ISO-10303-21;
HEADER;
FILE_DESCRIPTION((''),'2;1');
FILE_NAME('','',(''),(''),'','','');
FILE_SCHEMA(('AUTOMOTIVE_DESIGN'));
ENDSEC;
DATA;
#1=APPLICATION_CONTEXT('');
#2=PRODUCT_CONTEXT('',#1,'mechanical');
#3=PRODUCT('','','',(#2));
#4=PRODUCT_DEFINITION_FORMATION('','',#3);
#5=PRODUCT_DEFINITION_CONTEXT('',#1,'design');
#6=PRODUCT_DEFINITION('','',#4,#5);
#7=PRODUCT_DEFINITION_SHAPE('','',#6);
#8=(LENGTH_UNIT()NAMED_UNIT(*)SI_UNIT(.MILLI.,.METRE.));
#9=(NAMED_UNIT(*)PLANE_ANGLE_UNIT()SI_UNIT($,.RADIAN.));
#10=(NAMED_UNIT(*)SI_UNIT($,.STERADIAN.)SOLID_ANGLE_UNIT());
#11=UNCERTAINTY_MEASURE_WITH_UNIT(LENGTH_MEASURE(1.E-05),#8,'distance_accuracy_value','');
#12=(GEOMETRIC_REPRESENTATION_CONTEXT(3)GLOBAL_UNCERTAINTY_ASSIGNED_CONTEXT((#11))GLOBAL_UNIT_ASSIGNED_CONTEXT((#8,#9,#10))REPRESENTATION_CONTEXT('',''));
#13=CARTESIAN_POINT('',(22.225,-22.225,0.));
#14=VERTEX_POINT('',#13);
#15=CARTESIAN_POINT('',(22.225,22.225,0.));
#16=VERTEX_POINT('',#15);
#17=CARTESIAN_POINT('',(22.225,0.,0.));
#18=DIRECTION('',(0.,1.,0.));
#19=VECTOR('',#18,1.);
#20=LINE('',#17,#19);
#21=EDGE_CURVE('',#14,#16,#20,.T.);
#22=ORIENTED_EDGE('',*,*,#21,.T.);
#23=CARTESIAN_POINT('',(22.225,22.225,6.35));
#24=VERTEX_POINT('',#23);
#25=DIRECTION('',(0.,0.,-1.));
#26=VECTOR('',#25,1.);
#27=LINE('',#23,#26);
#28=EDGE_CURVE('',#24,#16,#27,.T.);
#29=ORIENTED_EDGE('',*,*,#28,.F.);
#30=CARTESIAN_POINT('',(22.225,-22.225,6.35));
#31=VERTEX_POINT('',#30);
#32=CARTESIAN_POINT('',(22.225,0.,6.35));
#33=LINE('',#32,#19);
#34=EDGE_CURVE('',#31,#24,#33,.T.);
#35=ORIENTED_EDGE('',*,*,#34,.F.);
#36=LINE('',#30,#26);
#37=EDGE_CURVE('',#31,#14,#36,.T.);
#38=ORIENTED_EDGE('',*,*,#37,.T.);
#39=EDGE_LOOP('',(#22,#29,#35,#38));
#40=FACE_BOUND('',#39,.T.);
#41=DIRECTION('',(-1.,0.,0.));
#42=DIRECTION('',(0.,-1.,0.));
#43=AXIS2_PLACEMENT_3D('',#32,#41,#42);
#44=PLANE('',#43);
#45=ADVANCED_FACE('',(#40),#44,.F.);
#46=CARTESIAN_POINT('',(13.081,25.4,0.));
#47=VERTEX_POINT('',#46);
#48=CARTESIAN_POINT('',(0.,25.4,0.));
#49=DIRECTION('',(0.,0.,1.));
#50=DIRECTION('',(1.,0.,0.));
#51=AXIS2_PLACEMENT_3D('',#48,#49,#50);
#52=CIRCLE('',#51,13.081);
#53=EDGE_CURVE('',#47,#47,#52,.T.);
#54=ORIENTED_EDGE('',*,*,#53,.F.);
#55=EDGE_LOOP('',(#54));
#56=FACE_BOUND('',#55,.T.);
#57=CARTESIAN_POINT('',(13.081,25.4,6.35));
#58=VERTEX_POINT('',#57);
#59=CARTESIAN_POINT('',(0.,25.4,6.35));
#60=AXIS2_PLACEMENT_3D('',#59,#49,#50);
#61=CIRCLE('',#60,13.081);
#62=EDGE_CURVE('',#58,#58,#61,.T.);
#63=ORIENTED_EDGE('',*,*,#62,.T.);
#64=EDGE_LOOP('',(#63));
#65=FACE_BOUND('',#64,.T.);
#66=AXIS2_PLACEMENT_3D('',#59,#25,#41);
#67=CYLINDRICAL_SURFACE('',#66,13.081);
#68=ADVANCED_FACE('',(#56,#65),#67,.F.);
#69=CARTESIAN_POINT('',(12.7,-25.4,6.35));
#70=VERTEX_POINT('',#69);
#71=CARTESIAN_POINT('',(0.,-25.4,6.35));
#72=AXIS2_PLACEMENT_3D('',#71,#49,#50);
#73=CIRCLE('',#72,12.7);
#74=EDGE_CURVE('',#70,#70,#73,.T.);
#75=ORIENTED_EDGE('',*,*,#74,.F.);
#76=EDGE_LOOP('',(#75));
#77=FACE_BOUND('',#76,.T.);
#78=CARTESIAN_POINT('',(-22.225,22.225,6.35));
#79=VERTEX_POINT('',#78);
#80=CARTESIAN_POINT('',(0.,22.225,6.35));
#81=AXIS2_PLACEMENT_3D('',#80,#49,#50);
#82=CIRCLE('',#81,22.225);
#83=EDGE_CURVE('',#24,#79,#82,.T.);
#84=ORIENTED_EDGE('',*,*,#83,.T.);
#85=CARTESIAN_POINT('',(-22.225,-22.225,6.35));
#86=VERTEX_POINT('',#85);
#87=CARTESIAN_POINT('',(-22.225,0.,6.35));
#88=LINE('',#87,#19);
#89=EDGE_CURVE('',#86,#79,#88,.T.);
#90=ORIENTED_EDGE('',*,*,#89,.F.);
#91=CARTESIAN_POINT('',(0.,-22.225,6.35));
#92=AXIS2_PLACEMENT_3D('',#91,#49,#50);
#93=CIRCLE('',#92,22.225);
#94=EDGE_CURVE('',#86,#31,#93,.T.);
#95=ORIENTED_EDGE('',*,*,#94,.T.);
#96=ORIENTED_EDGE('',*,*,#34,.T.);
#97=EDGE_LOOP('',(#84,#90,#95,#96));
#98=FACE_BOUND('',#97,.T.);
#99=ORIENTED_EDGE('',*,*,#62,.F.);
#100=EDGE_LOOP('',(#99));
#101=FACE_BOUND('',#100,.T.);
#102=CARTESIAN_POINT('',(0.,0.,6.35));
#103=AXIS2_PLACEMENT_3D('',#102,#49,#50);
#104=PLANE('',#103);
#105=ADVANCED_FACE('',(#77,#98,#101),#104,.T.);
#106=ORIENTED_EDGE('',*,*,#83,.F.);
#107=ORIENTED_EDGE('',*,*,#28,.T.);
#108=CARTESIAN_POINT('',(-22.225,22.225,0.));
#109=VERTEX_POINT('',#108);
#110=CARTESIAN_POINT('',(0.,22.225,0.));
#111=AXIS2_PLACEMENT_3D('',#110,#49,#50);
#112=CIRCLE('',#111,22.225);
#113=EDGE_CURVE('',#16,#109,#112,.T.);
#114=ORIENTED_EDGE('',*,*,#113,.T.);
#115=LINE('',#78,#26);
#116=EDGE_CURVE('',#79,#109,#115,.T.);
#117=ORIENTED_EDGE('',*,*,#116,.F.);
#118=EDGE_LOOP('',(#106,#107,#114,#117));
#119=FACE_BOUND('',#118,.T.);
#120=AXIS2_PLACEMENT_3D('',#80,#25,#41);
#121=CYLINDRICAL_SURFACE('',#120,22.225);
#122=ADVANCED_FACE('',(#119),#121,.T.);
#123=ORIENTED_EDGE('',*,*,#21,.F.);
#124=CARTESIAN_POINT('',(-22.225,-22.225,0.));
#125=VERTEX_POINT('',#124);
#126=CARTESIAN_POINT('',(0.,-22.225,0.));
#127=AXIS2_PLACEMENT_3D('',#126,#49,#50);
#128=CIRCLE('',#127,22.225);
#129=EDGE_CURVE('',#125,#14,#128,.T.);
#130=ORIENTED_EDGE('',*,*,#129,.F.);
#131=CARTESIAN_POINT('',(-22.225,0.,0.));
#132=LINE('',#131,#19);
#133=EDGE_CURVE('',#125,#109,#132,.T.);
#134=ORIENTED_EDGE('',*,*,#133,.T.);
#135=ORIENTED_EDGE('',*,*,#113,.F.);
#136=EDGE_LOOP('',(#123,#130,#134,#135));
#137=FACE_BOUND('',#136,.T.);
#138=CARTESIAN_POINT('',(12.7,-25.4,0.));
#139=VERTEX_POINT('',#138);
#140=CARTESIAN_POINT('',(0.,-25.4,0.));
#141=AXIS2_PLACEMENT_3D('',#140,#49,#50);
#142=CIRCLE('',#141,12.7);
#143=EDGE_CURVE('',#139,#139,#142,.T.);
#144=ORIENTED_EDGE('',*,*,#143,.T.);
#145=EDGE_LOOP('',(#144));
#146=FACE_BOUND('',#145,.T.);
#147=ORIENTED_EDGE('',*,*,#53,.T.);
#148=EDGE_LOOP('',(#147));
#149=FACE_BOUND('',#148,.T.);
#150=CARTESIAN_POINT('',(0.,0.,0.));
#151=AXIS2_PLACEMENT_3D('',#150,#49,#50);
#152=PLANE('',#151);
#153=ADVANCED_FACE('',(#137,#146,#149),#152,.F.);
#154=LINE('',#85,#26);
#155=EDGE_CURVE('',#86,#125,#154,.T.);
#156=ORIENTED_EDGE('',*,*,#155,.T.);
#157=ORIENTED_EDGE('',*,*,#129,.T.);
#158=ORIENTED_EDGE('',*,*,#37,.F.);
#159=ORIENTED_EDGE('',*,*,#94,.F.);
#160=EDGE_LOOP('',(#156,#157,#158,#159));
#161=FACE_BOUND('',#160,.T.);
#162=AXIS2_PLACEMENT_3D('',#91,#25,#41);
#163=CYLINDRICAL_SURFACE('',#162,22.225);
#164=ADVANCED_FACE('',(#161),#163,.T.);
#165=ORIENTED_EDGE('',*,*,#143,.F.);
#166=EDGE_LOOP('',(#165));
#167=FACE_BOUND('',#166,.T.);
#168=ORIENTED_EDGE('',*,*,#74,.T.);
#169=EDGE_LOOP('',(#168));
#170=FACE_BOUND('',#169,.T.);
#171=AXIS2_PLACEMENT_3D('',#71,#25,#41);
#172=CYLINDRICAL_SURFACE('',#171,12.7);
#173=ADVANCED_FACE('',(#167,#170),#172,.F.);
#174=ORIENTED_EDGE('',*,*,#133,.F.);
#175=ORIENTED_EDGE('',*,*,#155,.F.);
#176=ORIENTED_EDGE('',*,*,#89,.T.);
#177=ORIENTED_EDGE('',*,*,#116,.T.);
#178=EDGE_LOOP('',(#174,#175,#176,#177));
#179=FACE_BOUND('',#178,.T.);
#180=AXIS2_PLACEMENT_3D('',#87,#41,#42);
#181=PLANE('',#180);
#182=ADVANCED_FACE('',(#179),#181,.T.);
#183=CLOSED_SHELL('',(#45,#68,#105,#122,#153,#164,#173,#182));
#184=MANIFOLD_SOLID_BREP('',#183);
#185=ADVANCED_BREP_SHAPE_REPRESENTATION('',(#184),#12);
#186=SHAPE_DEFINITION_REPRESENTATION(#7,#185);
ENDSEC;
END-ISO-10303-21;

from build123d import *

# Parameters (mm, degrees)
SKETCH1_R           = 12.7
SKETCH1_R_2         = 13.081
BOSS_EXTRUDE1_DEPTH = 6.35


with BuildPart() as part:
    # Sketch1 → Boss-Extrude1 (new body)
    with BuildSketch(Plane.XY):
        with BuildLine():
            Line((22.225, -22.225), (22.225, 22.225))
            ThreePointArc((22.225, 22.225), (0, 44.45), (-22.225, 22.225))
            Line((-22.225, 22.225), (-22.225, -22.225))
            ThreePointArc((-22.225, -22.225), (0, -44.45), (22.225, -22.225))
        make_face()
        with Locations((0, -25.4)):
            Circle(SKETCH1_R, mode=Mode.SUBTRACT)
        with Locations((0, 25.4)):
            Circle(SKETCH1_R_2, mode=Mode.SUBTRACT)
    extrude(amount=BOSS_EXTRUDE1_DEPTH)


solid = part.part
